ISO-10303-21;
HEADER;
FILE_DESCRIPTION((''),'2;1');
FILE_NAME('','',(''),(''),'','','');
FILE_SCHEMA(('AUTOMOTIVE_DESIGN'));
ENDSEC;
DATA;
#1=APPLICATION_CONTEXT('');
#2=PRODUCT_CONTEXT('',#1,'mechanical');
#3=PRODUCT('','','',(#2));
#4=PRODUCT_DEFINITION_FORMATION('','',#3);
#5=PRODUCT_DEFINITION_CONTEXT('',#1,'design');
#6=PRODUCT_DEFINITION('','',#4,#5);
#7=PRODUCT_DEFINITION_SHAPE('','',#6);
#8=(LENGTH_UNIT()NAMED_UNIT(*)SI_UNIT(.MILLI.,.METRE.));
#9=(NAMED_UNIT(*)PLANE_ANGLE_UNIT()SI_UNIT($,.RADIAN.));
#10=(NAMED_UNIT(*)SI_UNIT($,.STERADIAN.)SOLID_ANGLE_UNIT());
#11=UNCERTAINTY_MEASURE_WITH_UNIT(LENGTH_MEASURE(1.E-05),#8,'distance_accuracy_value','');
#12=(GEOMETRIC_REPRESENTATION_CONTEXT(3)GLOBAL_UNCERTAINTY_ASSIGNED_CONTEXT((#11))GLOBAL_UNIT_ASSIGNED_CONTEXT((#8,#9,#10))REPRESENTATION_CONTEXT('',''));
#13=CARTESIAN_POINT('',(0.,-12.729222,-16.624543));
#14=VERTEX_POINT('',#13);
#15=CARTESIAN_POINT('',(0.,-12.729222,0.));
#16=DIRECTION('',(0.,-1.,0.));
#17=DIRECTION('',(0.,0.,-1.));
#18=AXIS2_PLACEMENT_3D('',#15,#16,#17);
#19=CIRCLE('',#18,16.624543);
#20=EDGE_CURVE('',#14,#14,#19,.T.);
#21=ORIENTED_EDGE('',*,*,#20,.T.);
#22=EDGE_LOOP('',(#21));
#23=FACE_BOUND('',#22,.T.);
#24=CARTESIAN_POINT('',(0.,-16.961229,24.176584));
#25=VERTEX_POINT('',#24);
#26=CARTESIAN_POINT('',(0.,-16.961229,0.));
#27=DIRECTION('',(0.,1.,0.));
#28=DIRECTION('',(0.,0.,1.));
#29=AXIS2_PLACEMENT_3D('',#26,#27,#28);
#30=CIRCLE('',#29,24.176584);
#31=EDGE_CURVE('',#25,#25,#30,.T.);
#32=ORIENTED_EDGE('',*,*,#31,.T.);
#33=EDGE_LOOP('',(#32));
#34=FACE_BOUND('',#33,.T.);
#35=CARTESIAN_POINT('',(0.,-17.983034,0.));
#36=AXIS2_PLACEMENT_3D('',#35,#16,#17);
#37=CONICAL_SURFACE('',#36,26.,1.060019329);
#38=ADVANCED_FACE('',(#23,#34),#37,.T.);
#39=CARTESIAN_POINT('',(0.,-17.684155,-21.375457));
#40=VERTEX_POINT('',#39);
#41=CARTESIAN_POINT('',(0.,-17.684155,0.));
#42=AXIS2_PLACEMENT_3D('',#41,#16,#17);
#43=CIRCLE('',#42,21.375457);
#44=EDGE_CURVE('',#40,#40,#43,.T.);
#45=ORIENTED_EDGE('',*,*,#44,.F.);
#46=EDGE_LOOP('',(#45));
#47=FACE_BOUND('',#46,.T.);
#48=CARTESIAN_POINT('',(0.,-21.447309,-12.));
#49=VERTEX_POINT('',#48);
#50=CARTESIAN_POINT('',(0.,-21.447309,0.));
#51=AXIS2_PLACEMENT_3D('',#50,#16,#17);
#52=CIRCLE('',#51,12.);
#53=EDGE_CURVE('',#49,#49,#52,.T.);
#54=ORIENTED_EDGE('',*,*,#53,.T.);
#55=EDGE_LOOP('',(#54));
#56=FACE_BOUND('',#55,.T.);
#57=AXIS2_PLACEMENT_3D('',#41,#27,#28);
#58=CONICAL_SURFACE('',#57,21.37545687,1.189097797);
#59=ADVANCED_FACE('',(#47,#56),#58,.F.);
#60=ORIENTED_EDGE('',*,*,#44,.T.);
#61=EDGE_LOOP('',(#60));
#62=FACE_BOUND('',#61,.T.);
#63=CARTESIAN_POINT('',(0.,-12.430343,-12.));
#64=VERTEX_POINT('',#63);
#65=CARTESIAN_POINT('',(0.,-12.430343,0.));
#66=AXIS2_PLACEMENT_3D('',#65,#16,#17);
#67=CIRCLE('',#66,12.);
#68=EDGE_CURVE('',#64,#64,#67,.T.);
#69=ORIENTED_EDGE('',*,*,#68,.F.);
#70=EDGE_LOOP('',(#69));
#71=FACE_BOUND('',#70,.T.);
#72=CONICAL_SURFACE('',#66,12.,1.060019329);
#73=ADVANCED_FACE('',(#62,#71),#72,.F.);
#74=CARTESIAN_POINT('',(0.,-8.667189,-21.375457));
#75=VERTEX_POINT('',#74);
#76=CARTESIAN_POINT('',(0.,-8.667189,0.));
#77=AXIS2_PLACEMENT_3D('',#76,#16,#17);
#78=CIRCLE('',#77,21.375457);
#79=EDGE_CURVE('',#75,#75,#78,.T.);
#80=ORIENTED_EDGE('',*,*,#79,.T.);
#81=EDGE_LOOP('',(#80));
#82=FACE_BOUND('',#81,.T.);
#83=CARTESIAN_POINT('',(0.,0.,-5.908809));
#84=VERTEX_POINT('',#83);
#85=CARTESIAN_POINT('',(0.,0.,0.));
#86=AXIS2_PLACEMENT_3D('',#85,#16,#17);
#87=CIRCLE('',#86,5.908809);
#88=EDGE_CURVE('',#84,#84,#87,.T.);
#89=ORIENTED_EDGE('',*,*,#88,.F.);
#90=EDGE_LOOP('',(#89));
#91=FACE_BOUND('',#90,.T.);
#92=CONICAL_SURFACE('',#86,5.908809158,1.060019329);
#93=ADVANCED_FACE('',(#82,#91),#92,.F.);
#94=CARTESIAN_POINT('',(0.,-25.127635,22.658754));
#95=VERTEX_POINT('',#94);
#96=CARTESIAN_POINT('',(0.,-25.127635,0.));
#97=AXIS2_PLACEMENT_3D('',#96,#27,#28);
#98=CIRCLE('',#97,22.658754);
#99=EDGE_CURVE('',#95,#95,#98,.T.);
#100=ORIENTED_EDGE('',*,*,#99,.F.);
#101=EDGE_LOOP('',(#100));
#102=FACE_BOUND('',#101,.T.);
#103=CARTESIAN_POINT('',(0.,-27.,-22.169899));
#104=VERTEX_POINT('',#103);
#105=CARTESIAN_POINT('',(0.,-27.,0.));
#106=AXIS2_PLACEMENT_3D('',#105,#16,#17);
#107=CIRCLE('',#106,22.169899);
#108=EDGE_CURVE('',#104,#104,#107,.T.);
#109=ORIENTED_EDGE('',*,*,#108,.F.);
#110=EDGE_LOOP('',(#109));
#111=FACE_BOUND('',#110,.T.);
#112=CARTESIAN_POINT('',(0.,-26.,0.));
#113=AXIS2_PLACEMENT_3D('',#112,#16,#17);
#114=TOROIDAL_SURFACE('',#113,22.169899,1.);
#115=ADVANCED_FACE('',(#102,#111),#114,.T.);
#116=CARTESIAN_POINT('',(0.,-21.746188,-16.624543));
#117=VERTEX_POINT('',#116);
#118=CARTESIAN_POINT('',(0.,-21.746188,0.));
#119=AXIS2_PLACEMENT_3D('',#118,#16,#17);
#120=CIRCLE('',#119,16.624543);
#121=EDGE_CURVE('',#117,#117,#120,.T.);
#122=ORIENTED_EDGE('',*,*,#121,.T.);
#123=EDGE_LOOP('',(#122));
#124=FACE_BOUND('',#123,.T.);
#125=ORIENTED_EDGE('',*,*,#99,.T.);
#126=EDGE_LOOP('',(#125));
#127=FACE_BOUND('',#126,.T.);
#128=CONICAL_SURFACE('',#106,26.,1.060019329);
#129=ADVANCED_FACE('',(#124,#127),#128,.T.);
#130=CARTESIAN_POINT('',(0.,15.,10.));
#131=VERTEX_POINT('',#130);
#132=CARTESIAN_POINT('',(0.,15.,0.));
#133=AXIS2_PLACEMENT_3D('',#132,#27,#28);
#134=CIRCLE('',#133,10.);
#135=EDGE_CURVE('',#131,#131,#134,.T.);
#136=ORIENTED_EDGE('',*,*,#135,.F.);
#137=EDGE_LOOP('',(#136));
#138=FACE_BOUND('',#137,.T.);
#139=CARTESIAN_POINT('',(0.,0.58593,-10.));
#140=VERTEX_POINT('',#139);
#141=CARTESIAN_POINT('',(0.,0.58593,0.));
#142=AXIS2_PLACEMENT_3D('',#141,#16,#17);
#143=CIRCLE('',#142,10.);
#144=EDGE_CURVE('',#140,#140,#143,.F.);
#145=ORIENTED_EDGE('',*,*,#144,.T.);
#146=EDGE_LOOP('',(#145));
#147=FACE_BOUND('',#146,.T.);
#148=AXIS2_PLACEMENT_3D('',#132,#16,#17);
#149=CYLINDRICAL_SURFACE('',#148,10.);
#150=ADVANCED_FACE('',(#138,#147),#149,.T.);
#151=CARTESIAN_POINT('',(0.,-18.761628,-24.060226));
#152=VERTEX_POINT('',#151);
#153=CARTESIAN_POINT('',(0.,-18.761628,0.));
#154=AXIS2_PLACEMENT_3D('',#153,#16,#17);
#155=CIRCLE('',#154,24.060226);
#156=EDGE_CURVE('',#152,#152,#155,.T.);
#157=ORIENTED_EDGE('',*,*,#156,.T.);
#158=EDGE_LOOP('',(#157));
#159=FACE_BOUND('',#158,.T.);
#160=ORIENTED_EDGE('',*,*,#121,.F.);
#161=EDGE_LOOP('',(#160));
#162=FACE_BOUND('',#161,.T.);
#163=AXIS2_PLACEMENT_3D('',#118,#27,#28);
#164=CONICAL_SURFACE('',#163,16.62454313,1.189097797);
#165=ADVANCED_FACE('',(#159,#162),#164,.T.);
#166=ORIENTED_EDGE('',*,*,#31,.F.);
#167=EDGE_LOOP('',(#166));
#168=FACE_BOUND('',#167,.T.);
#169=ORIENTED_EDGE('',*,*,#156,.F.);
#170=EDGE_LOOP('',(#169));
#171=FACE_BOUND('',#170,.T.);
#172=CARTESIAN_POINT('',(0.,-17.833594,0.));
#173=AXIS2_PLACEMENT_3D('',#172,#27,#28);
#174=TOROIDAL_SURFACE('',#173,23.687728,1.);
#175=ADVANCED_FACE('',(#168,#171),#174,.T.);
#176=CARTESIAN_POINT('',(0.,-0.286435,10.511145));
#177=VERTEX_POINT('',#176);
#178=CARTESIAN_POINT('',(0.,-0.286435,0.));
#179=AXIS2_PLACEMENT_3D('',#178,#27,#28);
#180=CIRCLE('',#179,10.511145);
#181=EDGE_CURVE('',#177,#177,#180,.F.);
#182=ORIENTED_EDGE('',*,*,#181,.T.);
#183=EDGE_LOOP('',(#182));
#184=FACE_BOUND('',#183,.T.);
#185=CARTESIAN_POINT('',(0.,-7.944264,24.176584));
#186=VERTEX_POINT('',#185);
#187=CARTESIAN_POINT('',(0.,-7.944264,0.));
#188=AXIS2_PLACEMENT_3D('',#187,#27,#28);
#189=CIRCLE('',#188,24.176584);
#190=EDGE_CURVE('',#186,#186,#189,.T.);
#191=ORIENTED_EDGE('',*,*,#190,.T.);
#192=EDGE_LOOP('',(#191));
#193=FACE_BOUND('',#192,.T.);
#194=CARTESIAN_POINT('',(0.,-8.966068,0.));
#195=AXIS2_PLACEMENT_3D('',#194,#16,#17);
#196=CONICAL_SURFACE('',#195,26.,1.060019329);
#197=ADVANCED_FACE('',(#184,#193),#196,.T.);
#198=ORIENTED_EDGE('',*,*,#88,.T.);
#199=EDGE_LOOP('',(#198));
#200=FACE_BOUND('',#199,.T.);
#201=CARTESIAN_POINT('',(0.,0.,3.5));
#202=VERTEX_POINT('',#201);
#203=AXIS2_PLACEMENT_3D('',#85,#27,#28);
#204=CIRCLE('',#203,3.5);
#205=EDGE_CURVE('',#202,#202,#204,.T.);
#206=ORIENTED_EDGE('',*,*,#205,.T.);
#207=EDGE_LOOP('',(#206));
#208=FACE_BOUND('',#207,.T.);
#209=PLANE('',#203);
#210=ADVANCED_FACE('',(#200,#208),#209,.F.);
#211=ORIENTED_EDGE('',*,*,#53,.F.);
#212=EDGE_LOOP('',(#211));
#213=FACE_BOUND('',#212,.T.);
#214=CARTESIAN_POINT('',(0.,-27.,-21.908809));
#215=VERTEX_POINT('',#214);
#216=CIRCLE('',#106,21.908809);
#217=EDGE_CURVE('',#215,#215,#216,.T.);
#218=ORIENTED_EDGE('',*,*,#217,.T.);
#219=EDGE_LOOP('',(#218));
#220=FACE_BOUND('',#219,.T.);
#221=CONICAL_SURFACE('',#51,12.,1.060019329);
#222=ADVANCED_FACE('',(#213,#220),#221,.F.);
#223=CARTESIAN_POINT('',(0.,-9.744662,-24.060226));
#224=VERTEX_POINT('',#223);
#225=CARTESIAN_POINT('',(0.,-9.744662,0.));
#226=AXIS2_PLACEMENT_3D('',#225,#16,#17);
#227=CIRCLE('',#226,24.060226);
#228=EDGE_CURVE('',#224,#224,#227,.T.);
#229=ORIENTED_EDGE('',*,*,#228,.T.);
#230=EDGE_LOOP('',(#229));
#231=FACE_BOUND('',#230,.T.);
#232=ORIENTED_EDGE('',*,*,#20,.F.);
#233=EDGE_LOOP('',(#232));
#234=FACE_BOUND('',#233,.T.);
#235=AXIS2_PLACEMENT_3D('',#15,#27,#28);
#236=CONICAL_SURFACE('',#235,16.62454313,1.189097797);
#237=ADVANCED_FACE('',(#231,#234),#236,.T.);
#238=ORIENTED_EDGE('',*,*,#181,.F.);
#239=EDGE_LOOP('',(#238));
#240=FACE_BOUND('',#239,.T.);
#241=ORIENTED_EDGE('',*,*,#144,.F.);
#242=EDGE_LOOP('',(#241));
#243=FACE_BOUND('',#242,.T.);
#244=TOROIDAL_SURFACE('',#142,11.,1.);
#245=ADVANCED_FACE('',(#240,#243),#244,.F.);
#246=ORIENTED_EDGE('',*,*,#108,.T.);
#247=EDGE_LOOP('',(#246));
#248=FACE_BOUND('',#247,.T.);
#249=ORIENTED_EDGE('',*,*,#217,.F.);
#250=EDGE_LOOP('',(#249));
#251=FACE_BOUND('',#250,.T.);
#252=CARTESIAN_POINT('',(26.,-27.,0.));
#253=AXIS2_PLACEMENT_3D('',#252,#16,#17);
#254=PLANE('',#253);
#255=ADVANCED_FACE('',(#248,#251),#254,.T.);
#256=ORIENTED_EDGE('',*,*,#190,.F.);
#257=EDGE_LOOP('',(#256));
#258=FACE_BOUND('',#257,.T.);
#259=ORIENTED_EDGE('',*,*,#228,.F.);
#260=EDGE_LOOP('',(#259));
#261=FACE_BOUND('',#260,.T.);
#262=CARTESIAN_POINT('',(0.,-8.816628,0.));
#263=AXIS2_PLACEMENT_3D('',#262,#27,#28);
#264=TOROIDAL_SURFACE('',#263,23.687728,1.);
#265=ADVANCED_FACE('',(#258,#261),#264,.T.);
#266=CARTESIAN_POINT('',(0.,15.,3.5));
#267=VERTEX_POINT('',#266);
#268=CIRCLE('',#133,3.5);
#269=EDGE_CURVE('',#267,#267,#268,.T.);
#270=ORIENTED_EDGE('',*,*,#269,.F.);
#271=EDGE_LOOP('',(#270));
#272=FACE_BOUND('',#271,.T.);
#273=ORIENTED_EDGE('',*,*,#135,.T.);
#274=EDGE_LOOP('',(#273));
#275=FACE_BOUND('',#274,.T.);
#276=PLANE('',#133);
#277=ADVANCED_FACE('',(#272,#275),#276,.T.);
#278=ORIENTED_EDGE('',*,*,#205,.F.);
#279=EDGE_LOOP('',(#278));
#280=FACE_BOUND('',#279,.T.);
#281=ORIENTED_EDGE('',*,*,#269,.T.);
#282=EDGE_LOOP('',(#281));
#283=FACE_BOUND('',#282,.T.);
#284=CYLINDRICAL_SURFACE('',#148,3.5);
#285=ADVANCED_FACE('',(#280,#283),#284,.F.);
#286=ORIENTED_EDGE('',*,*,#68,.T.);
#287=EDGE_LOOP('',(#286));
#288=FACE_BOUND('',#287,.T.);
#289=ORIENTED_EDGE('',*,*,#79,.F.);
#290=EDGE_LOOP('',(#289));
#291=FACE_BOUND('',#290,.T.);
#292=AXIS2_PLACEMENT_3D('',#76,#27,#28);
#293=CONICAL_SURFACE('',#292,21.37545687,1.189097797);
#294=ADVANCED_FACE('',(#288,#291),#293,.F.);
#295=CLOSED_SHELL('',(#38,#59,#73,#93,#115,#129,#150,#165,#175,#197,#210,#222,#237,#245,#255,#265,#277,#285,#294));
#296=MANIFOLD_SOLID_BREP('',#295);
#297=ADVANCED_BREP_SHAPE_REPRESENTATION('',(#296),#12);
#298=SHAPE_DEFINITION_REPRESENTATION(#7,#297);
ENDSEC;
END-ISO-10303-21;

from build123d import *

# Parameters (mm, degrees)
SKETCH_1_R      = 10
SKETCH_1_R_2    = 3.5
EXTRUDE_1_DEPTH = 15
FILLET_1_R      = 1


with BuildPart() as part:
    # 草图1 → 凸台-拉伸1 (new body)
    with BuildSketch(Plane(origin=(0, 0, 0), x_dir=(1, 0, 0), z_dir=(0, 1, 0))):
        Circle(SKETCH_1_R)
        Circle(SKETCH_1_R_2, mode=Mode.SUBTRACT)
    extrude(amount=EXTRUDE_1_DEPTH)

    # 草图3 → 旋转1 (revolve)
    with BuildSketch(Plane.XY):
        Polygon((10, 0), (26, -8.966068261), (16.62454313, -12.729222488), (26, -17.98303413), (16.62454313, -21.746188358), (26, -27), (21.908809158, -27), (12, -21.447308794), (21.37545687, -17.684154567), (12, -12.430342924), (21.37545687, -8.667188697), (5.908809158, 0), align=None)
    revolve(axis=Axis((0, 0, 0), (0, 1, 0)))

    # 圆角1
    fillet_1_edges = [part.edges().sort_by_distance(p)[0] for p in [
        (-10, 0, 0),
        (-26, -8.966068261, 0),
        (-26, -17.98303413, 0),
        (-26, -27, 0),
    ]]
    fillet(fillet_1_edges, radius=FILLET_1_R)


solid = part.part
